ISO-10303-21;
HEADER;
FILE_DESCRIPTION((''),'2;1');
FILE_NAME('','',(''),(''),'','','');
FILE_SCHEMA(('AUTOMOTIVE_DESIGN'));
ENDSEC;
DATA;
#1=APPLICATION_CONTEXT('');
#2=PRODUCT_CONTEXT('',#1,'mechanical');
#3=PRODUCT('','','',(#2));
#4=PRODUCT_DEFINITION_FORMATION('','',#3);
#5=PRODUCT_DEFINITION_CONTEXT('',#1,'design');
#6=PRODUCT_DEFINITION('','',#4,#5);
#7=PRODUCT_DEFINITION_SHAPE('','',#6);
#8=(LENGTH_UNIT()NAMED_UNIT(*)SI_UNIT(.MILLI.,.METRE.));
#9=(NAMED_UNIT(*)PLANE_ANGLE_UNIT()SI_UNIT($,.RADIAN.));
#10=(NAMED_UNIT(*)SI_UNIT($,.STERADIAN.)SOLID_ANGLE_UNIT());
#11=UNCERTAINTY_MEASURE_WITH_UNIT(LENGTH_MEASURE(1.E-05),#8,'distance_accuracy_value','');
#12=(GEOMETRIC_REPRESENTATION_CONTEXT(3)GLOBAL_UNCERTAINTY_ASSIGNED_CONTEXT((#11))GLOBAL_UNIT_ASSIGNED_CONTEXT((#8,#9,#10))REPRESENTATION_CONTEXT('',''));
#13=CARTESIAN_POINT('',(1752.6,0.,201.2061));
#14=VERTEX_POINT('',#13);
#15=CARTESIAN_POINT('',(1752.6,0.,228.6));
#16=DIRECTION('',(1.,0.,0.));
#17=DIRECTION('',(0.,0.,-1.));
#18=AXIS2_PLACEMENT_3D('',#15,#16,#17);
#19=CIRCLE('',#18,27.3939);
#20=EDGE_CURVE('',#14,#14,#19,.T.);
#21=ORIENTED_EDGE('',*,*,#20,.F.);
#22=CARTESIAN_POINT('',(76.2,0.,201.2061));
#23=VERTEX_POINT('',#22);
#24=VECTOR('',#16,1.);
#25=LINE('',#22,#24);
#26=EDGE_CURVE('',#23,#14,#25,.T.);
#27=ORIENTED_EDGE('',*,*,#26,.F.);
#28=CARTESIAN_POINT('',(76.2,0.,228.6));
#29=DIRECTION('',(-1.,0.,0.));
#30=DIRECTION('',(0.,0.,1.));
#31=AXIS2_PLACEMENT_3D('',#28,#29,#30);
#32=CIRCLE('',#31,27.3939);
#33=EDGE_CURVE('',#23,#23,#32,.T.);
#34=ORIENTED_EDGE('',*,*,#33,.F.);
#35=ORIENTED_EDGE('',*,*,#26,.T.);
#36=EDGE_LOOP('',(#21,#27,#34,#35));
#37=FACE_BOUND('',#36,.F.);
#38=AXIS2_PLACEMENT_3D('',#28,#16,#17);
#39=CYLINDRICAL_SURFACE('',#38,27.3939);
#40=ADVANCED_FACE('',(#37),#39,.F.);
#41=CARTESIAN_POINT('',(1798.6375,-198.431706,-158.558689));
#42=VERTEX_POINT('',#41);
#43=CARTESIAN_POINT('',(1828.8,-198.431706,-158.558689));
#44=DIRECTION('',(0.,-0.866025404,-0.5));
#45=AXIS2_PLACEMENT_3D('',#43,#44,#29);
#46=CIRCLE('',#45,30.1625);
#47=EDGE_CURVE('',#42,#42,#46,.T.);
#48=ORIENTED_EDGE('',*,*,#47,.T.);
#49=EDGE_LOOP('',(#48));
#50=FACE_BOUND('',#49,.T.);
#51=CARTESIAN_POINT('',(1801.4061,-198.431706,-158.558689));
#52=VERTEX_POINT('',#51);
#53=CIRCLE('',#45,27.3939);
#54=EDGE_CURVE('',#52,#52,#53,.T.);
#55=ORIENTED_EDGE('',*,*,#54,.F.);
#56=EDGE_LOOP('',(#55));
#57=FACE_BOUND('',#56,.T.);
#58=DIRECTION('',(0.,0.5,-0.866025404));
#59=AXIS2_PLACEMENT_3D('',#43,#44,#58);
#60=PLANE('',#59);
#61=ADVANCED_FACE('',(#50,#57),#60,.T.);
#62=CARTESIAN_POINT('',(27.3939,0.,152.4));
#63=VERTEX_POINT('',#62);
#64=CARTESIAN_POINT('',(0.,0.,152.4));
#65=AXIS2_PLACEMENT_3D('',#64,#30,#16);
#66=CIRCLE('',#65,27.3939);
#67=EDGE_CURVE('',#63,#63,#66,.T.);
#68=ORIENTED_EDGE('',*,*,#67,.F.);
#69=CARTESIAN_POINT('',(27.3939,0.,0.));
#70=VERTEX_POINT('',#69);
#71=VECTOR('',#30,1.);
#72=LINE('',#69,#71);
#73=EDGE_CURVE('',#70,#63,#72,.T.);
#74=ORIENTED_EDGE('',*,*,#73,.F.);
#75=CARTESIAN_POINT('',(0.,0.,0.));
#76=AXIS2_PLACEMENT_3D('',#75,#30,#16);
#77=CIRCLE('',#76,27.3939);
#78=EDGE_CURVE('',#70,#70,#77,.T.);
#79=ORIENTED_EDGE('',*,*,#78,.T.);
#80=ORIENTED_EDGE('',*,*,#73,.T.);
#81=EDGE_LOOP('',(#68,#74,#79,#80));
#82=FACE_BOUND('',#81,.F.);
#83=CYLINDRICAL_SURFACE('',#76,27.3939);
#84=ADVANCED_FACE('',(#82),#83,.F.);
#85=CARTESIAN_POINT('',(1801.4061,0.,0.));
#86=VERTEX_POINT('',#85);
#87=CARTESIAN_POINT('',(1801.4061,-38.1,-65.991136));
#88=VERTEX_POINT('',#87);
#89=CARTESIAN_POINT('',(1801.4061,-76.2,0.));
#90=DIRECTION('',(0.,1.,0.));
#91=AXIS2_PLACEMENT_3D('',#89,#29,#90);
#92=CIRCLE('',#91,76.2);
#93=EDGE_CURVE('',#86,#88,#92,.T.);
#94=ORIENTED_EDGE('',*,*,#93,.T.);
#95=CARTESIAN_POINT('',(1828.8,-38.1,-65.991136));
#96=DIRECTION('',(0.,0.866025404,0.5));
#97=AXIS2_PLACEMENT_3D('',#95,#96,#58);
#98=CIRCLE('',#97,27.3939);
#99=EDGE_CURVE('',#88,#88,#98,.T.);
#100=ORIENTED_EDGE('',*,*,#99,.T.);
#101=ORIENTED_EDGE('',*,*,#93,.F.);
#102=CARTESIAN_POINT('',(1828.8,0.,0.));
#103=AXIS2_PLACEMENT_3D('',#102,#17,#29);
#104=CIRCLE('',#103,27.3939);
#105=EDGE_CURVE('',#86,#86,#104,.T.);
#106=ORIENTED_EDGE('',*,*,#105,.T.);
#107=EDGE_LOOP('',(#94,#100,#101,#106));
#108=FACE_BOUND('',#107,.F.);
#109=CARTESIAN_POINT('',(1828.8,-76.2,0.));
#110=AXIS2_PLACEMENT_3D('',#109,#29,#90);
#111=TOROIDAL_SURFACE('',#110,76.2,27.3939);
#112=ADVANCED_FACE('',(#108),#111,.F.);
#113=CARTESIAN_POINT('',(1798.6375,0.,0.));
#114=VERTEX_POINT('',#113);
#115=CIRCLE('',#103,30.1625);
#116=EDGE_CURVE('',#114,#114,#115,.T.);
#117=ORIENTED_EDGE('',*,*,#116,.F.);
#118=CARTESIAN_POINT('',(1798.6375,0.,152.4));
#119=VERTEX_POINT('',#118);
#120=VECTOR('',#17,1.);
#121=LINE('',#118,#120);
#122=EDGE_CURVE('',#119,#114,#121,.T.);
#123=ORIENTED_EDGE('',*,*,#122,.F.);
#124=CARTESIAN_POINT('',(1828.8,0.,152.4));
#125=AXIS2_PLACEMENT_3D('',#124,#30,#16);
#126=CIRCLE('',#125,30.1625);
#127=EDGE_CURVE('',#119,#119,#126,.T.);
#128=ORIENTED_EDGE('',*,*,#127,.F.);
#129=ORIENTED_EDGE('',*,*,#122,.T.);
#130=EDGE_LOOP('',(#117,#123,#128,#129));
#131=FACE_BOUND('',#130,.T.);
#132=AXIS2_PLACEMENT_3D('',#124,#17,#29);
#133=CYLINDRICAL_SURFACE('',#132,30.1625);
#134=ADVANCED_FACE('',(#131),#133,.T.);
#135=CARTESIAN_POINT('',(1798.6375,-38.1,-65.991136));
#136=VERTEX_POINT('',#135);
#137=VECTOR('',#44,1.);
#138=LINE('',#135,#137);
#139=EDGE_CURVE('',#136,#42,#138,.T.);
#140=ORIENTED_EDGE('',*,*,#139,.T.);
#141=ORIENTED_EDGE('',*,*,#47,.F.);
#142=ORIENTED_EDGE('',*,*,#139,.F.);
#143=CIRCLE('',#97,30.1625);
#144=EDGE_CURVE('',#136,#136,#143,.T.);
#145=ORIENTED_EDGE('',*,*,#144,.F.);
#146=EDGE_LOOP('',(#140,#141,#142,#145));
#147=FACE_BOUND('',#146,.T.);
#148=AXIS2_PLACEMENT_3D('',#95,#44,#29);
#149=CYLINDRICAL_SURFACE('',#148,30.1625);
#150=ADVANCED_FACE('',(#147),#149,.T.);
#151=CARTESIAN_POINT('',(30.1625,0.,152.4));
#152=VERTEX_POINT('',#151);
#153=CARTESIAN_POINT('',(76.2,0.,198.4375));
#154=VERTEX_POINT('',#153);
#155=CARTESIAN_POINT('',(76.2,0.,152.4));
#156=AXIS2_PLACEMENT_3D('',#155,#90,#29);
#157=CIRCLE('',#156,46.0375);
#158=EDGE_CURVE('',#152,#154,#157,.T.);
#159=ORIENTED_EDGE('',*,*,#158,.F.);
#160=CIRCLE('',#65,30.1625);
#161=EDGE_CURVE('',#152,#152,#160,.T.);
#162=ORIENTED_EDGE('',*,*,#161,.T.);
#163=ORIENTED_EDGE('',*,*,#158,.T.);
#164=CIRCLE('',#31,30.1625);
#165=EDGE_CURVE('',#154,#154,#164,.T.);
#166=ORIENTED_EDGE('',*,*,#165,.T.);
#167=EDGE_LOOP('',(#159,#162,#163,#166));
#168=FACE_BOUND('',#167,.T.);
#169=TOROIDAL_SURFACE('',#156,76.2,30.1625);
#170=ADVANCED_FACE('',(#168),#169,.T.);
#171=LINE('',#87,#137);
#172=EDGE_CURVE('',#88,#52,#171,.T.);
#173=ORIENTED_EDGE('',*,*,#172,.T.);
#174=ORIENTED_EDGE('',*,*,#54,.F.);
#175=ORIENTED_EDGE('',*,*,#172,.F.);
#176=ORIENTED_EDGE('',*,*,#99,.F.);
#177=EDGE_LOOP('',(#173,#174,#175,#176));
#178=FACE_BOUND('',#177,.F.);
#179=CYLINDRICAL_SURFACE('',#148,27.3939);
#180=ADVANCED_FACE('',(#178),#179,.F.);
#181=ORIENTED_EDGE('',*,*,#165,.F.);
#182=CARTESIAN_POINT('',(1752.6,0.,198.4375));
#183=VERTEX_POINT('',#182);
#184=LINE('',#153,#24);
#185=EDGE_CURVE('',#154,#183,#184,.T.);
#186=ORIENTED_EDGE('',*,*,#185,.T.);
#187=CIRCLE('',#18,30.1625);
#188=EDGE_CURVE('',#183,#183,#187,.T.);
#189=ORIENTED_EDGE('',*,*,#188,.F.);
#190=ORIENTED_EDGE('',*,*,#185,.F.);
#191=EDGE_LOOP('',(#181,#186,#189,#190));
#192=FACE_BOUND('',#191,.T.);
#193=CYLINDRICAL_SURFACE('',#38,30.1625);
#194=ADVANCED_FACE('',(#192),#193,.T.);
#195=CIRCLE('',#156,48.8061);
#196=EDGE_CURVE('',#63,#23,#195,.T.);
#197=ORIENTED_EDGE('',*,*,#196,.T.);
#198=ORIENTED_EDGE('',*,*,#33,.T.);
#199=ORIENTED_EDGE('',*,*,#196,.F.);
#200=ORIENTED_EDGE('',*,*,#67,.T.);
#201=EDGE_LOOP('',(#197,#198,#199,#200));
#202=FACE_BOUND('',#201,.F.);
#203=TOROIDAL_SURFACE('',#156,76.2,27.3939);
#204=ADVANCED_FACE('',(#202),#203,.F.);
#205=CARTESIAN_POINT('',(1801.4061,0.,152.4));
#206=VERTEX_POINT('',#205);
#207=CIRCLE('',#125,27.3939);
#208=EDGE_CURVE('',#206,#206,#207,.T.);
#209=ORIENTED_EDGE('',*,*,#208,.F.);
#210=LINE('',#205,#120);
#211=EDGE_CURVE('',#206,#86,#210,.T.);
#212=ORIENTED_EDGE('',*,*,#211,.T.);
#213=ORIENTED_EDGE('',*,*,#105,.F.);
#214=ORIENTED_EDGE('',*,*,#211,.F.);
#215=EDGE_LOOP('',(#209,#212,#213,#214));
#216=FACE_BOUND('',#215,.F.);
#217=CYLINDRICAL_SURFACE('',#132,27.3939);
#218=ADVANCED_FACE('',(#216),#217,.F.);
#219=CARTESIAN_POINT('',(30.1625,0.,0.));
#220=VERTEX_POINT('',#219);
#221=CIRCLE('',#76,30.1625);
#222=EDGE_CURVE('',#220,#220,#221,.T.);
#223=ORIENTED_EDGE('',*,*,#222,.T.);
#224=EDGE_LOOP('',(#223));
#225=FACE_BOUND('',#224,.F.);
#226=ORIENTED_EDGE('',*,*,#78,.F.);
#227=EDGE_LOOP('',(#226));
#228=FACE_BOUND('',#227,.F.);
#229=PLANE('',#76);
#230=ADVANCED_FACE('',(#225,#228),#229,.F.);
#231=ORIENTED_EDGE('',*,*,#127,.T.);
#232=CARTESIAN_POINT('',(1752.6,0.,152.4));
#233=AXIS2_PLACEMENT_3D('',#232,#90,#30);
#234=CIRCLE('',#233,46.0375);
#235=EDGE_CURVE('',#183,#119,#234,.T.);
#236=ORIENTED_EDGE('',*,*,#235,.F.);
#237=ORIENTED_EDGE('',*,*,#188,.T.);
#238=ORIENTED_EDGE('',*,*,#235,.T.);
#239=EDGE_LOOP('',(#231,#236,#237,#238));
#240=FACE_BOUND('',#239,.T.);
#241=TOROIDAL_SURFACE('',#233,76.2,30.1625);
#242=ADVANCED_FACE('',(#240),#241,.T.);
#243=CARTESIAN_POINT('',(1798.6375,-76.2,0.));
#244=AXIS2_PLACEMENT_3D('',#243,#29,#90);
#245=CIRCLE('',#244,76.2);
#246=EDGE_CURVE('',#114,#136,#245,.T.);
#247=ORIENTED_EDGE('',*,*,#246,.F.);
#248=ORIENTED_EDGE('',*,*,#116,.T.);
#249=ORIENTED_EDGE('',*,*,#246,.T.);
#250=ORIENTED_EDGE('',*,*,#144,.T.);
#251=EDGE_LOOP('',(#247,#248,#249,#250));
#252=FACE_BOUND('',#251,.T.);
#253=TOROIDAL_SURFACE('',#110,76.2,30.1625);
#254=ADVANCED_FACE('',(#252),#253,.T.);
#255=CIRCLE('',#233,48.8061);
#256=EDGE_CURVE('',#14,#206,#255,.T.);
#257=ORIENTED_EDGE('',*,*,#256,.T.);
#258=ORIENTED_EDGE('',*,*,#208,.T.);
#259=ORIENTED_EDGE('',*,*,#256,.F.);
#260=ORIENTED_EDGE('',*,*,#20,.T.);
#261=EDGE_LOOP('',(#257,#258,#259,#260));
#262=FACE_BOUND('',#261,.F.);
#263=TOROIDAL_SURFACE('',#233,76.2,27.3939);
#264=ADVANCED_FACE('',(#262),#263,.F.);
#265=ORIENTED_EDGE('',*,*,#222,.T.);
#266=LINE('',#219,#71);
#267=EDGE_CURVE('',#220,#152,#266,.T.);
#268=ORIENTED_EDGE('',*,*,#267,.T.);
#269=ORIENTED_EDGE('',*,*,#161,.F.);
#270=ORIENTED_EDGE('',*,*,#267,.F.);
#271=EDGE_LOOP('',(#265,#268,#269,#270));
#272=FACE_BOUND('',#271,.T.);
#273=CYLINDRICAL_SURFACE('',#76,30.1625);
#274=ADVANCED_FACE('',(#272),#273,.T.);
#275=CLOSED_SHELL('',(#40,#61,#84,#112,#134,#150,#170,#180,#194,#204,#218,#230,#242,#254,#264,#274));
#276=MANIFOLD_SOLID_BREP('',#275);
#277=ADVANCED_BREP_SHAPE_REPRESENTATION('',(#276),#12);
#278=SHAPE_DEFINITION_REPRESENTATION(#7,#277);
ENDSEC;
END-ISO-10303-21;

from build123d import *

# Parameters (mm, degrees)
F1_R   = 30.1625
F1_R_2 = 27.3939


with BuildPart() as f4:
    # F4: sweep along a path in F0, F3
    with BuildLine(Plane.XZ) as f4_path:
        Line((0, 0), (0, 152.4))
        ThreePointArc((0, 152.4), (22.3184632736, 206.2815367264), (76.2, 228.6))
        Line((76.2, 228.6), (1752.6, 228.6))
        ThreePointArc((1752.6, 228.6), (1806.4815367264, 206.2815367264), (1828.8, 152.4))
        Line((1828.8, 152.4), (1828.8, 0))
    with BuildLine(Plane.YZ.offset(1828.8)) as f4_path_2:
        ThreePointArc((0, 0), (-10.2088642316, -38.1), (-38.1, -65.9911357684))
        Line((-38.1, -65.9911357684), (-198.4317061272, -158.5586894605))
    # F1 (on Top) → F4 (sweep)
    with BuildSketch(Plane.XY):
        Circle(F1_R)
        Circle(F1_R_2, mode=Mode.SUBTRACT)
    sweep(path=f4_path.line + f4_path_2.line)


solid = f4.part
